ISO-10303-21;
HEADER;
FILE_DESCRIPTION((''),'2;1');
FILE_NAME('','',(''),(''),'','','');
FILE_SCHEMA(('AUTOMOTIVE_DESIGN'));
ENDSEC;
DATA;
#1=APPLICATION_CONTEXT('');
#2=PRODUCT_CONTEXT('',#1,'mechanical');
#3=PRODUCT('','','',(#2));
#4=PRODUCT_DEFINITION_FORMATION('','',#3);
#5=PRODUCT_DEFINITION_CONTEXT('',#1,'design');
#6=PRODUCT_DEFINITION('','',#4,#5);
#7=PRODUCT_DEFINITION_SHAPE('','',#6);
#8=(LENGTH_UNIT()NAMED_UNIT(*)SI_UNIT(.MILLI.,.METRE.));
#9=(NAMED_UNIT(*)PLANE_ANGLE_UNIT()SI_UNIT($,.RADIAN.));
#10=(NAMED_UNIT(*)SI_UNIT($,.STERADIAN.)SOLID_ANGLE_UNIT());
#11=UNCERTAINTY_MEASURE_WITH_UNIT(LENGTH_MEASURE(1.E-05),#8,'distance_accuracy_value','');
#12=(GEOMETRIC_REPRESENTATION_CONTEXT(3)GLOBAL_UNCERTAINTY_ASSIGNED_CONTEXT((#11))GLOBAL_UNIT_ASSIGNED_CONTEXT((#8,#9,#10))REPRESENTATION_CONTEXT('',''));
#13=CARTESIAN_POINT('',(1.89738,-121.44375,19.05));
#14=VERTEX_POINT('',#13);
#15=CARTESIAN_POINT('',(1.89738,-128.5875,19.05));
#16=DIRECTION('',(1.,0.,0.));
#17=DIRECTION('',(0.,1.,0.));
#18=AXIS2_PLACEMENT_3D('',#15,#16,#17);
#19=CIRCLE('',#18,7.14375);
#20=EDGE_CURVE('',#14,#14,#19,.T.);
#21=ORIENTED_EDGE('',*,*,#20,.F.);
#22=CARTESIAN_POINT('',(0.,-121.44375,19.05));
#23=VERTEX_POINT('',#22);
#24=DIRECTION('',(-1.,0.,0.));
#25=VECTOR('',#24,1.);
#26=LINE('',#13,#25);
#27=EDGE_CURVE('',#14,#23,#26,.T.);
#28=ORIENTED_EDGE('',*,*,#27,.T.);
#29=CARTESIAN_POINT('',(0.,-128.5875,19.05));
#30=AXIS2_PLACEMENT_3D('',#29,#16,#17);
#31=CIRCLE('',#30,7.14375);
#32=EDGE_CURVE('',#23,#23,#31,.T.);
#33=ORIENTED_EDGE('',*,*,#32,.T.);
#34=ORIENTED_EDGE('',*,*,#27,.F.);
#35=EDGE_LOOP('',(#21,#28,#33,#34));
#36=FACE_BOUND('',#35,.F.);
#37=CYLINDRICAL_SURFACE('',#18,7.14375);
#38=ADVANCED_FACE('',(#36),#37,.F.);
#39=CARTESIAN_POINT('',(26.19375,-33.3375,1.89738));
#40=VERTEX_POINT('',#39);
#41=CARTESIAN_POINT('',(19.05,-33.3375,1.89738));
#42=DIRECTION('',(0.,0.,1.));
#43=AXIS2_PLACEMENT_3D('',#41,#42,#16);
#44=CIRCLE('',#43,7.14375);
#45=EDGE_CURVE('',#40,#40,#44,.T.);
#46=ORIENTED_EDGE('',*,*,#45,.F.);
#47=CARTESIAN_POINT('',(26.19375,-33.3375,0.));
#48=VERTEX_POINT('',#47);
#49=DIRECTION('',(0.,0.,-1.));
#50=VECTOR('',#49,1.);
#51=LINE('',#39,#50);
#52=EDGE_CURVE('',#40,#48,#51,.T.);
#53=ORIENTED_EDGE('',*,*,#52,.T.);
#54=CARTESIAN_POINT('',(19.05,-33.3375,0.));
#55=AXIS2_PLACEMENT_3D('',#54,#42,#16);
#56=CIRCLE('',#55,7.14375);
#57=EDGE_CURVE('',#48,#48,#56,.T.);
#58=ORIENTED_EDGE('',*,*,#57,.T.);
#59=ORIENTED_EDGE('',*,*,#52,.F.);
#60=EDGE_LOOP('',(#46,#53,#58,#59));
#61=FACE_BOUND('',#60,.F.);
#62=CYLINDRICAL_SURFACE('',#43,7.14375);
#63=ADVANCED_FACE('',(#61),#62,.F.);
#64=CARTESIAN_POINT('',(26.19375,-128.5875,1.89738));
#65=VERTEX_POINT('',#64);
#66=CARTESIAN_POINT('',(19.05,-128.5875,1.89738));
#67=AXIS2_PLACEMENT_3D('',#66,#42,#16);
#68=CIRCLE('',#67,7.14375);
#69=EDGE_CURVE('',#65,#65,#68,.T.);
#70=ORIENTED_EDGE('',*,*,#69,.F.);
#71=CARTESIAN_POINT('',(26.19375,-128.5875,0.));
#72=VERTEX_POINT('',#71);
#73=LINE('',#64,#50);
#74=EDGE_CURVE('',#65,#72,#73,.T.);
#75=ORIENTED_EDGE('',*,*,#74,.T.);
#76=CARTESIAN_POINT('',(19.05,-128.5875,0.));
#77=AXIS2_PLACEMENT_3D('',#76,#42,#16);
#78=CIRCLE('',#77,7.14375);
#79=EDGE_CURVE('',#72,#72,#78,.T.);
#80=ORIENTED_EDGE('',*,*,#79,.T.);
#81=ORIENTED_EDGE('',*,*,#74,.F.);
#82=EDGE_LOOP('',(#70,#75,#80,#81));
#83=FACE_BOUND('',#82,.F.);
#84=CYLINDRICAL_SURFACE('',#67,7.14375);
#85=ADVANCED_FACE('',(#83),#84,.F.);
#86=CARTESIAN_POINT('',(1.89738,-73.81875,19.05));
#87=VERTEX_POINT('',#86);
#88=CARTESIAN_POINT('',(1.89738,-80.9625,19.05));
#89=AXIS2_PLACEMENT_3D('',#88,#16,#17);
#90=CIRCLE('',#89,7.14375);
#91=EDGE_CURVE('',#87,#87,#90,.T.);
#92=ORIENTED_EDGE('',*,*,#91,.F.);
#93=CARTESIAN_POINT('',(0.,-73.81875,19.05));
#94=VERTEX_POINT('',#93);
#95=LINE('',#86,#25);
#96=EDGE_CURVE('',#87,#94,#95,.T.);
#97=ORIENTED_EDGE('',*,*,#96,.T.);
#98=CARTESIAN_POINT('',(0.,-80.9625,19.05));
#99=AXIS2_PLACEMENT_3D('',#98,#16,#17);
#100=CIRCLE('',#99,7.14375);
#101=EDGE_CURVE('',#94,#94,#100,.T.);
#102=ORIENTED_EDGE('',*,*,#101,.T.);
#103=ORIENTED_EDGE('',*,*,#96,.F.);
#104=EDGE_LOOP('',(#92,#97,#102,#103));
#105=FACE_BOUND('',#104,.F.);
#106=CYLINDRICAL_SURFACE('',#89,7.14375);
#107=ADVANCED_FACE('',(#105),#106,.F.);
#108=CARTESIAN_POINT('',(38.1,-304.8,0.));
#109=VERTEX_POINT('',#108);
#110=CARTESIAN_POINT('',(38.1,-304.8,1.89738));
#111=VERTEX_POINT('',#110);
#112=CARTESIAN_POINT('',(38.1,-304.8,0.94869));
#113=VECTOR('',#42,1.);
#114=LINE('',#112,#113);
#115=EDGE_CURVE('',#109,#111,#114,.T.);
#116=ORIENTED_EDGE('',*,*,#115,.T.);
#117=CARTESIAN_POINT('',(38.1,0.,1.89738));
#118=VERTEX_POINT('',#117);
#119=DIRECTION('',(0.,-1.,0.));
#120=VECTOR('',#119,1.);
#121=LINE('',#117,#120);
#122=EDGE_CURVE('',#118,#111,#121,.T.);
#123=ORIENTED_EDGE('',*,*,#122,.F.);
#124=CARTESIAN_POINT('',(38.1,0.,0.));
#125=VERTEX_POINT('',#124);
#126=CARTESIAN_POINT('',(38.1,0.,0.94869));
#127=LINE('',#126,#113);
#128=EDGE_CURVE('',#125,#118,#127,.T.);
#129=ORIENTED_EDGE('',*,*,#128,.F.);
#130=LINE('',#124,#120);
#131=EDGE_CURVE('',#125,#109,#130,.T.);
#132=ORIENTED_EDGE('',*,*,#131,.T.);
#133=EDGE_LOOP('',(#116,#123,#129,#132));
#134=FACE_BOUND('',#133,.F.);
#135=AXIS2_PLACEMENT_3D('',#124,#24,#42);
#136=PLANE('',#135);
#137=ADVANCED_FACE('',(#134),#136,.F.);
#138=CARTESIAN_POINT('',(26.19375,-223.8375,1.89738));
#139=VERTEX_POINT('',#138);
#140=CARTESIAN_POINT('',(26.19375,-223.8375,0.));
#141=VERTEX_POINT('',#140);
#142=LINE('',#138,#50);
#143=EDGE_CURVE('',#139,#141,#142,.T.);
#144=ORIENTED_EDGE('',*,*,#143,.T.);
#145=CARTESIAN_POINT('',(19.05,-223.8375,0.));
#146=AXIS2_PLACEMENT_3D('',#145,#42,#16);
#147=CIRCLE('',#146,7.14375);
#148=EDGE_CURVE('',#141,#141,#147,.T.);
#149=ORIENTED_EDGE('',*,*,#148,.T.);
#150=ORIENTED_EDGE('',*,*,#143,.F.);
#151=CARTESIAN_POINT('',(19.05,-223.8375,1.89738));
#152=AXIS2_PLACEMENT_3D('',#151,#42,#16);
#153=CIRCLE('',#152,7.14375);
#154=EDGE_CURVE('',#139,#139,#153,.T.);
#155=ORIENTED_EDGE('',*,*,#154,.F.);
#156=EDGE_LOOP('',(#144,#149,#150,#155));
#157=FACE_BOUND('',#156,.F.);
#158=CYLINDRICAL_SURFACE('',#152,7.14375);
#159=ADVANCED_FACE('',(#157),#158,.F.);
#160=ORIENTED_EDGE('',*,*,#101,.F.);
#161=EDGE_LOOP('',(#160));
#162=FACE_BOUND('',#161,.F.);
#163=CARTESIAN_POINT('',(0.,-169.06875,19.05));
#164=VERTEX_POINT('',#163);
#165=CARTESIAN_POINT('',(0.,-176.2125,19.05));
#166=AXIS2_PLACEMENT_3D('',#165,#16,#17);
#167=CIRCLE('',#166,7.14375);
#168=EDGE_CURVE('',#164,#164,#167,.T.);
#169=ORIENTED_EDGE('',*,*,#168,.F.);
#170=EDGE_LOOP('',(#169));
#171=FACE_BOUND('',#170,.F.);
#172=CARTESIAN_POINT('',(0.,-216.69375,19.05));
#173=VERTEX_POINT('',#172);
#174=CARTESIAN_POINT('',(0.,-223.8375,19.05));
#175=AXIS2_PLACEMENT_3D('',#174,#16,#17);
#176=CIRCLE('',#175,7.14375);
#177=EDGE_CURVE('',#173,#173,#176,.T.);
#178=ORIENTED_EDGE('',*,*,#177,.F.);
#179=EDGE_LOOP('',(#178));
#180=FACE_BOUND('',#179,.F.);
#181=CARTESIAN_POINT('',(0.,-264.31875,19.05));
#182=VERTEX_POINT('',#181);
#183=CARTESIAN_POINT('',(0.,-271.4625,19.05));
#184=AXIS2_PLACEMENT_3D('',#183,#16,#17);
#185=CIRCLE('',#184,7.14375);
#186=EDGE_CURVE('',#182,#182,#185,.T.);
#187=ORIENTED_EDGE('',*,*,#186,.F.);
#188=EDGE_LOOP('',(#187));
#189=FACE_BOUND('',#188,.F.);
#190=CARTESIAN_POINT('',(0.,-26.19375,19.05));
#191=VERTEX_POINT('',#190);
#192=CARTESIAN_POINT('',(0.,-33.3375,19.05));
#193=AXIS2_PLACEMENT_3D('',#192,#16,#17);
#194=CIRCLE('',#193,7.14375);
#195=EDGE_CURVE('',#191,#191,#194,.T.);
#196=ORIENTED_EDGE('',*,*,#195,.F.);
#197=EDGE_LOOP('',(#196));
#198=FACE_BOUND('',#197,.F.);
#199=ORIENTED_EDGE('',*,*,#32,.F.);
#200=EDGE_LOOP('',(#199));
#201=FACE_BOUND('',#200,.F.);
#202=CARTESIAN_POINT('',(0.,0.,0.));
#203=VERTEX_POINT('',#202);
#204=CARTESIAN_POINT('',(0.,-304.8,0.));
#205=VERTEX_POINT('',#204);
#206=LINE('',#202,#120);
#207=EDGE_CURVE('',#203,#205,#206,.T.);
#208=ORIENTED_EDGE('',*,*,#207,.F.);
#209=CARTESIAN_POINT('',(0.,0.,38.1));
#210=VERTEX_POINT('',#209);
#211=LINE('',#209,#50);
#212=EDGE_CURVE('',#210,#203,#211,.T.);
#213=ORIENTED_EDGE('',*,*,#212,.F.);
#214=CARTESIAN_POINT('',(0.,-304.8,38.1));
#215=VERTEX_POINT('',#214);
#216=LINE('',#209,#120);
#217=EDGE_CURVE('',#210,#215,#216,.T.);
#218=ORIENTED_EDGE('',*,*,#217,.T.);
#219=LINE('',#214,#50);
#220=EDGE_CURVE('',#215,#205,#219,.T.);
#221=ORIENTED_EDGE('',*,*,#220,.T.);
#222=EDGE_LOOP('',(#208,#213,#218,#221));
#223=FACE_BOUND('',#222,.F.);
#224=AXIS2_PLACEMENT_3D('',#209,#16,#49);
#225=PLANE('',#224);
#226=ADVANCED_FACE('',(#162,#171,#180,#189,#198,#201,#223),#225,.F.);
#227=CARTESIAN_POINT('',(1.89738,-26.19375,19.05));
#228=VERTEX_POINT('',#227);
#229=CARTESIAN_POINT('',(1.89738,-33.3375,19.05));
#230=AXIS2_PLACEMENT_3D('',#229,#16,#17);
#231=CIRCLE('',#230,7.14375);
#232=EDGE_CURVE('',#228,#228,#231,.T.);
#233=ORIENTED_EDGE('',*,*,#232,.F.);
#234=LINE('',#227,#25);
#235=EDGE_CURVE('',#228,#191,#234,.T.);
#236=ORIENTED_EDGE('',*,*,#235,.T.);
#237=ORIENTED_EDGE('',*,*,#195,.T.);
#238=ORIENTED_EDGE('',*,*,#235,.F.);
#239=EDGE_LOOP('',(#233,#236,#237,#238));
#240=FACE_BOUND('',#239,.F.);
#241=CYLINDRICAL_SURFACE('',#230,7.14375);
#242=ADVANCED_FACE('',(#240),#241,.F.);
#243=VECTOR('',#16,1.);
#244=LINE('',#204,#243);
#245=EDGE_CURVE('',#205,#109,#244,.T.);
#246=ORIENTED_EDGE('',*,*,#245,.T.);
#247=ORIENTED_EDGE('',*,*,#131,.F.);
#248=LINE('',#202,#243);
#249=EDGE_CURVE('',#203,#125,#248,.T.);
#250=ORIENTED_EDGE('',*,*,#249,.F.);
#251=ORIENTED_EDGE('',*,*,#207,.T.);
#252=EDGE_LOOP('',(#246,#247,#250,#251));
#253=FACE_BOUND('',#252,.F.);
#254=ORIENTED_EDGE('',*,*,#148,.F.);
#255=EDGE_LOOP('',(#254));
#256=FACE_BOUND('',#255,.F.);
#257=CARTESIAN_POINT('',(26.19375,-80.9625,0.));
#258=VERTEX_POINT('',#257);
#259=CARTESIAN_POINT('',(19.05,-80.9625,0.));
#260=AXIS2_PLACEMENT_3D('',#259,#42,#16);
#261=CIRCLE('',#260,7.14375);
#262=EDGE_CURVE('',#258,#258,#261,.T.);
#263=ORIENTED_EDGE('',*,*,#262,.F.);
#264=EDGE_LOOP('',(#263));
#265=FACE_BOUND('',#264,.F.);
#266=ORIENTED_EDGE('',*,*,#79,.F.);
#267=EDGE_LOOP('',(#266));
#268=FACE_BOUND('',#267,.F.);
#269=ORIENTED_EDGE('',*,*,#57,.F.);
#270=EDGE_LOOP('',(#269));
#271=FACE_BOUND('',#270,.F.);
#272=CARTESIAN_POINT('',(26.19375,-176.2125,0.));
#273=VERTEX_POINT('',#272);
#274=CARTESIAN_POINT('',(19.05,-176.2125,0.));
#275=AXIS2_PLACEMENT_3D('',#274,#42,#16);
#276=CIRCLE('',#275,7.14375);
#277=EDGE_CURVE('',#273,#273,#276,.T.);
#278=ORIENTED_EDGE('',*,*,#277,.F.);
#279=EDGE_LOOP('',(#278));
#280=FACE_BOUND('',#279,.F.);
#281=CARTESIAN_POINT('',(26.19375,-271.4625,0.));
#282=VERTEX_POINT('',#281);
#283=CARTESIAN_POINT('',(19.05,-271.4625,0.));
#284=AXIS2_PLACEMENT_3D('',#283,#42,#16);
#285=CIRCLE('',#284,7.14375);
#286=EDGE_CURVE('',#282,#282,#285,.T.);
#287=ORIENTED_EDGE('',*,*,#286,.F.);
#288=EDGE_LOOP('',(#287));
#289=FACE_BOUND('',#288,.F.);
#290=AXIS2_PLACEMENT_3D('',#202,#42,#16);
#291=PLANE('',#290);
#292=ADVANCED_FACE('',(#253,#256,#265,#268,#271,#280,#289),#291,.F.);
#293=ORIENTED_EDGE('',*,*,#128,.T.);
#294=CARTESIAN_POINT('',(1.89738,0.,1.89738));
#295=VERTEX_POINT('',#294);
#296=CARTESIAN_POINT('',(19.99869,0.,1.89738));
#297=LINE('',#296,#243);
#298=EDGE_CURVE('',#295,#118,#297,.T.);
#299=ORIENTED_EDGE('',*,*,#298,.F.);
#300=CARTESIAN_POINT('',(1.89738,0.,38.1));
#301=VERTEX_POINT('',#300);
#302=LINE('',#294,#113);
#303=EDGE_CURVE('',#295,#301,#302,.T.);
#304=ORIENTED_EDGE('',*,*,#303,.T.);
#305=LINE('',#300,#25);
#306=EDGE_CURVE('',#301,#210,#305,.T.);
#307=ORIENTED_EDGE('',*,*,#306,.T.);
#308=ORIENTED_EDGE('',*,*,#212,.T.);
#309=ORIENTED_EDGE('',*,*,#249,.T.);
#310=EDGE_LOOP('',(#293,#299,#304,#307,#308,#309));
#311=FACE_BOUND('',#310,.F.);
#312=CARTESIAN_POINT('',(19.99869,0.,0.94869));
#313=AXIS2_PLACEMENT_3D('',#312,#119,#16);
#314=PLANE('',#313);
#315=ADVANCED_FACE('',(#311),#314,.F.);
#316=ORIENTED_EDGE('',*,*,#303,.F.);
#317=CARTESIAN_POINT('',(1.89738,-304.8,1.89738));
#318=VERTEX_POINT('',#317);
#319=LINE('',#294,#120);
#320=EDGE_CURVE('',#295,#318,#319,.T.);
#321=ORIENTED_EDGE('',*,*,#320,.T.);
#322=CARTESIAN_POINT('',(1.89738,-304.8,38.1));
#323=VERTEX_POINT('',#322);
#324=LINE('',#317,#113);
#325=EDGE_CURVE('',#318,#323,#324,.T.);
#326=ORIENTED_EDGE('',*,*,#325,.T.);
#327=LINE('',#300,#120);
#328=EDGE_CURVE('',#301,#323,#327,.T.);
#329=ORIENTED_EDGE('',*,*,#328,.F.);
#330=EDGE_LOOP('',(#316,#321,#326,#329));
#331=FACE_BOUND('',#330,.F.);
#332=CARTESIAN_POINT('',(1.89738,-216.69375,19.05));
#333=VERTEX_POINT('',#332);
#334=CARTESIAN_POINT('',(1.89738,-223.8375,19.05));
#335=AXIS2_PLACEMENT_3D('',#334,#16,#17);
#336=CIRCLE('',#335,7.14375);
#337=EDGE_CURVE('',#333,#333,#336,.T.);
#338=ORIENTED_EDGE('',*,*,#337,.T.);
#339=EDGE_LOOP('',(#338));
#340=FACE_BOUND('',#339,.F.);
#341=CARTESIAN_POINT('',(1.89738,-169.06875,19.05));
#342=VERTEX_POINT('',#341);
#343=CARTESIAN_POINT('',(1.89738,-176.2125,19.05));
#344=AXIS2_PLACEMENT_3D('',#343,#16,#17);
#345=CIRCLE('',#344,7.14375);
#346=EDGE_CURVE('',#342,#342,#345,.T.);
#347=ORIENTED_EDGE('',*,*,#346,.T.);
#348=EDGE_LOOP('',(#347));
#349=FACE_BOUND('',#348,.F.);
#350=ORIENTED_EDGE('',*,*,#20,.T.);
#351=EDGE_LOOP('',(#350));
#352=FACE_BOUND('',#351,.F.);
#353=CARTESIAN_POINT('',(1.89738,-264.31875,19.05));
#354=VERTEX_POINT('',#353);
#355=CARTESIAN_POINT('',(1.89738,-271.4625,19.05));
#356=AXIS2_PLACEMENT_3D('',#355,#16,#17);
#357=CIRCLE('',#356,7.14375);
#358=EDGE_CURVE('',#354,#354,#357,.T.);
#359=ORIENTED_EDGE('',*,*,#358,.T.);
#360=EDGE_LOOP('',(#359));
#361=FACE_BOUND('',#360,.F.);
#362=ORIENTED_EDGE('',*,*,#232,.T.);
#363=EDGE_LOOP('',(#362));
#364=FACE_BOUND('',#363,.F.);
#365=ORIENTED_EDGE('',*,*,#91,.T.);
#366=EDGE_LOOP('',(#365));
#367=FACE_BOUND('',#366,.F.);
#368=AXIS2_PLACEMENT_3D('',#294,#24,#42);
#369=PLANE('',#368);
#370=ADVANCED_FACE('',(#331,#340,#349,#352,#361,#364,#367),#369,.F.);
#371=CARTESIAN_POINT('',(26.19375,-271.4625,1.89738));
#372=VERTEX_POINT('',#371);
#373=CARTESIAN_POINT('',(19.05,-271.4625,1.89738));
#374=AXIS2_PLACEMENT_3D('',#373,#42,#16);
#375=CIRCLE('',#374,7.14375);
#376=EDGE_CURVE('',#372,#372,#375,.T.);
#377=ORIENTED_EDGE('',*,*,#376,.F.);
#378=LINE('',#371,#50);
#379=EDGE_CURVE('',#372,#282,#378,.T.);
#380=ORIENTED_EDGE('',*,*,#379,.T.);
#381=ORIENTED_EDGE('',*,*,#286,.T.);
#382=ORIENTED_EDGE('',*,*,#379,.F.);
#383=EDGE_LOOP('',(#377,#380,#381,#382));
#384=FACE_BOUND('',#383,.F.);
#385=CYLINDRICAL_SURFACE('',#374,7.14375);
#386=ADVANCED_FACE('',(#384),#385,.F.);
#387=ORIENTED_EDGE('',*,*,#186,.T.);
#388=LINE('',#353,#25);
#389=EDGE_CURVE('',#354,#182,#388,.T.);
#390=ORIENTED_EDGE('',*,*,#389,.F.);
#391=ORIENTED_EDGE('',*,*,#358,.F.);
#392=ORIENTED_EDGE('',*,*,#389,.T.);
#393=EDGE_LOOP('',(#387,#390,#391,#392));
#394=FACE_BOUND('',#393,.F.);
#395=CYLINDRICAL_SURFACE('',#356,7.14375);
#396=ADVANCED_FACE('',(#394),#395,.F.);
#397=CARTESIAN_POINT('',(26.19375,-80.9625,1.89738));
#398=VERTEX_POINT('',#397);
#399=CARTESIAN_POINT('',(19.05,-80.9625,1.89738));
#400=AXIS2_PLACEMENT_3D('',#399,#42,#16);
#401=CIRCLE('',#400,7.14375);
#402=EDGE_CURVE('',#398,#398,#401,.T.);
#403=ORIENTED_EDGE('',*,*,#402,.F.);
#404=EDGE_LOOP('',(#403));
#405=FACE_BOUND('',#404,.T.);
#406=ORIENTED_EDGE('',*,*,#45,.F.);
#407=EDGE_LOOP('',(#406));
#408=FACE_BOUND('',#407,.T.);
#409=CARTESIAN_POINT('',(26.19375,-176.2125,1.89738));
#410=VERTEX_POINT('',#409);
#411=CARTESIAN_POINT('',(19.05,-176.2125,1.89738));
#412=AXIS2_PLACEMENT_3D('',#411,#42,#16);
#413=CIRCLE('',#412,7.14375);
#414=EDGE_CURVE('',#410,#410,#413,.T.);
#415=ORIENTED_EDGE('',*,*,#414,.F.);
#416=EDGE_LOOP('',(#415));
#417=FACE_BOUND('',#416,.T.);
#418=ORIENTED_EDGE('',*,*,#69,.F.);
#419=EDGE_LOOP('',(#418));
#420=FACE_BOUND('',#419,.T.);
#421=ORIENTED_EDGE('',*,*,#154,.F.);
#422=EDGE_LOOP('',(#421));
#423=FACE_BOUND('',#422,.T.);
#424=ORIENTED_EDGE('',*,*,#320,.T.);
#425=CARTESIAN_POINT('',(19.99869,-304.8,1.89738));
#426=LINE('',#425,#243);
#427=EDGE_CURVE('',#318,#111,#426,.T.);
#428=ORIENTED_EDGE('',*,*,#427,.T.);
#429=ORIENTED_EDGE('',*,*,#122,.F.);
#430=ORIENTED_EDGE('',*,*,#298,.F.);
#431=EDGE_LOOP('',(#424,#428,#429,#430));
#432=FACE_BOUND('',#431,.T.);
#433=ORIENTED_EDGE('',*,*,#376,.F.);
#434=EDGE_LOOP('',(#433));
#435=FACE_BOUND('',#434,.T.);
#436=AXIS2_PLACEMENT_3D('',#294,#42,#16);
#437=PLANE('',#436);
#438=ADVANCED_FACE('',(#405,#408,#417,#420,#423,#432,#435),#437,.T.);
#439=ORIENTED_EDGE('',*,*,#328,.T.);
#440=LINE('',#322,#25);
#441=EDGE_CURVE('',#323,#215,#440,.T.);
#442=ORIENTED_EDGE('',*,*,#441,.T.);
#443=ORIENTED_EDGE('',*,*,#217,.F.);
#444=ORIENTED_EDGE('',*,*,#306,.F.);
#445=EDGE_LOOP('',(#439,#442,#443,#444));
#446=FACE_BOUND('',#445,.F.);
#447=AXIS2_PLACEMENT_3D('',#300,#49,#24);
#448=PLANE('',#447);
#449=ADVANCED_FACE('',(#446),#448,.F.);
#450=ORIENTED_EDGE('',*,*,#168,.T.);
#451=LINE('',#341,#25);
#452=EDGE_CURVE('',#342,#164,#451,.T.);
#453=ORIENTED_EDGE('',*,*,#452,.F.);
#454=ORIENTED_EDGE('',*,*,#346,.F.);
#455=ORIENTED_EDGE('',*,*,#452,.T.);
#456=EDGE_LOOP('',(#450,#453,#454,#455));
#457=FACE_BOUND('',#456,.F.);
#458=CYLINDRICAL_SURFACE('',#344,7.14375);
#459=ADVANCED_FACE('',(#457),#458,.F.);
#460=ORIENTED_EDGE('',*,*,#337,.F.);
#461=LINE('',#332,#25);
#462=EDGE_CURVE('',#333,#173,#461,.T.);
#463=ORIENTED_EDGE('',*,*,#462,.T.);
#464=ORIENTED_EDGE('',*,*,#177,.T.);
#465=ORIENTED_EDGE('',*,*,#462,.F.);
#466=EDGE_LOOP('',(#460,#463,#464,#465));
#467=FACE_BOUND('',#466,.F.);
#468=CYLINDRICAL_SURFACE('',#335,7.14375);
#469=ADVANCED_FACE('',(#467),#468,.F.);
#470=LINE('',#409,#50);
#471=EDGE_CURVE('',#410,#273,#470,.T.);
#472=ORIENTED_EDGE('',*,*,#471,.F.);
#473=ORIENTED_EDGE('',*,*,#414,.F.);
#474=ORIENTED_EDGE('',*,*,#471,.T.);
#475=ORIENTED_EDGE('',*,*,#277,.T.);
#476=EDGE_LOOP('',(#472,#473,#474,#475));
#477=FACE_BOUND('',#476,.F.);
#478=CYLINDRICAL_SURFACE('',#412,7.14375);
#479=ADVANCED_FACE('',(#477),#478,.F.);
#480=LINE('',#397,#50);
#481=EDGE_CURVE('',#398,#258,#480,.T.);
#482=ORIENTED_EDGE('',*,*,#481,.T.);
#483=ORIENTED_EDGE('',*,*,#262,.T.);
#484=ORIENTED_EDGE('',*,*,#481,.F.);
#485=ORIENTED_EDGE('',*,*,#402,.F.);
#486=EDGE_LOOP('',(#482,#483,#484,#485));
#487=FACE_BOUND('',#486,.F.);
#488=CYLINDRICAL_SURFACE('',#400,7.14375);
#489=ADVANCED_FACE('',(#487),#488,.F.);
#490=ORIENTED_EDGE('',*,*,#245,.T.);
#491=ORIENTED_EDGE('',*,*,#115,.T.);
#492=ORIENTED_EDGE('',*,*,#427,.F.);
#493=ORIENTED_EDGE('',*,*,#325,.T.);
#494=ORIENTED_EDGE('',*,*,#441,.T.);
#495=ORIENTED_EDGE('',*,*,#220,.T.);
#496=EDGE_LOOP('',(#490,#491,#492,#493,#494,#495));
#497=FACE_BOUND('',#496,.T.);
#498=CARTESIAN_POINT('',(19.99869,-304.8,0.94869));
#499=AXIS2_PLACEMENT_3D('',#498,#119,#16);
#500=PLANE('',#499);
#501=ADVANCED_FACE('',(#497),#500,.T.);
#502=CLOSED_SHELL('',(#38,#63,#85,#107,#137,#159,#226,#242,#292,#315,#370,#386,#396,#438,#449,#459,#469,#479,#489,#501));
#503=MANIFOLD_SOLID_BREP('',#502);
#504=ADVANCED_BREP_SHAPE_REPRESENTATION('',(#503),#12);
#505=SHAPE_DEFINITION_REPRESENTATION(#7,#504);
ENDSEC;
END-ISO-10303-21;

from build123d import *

# Parameters (mm, degrees)
F0_W     = 36.20262
F0_H     = 1.89738
F1_DEPTH = 304.8
F2_R     = 7.14375
F3_DEPTH = 25.4
F4_R     = 7.14375
F5_DEPTH = 25.4


with BuildPart() as f1:
    # F0 (on Front) → F1 (new body)
    with BuildSketch(Plane.XZ):
        with Locations((19.99869, 0.94869)):
            Rectangle(F0_W, F0_H)
        Polygon((0, 38.1), (0, 0), (1.89738, 0), (1.89738, 1.89738), (1.89738, 38.1), align=None)
    extrude(amount=F1_DEPTH)

    # F2 (on face) → F3 (cut)
    with BuildSketch(Plane.XY.offset(1.89738)):
        with Locations((19.05, -271.4625)):
            Circle(F2_R)
        with Locations((19.05, -223.8375)):
            Circle(F2_R)
        with Locations((19.05, -176.2125)):
            Circle(F2_R)
        with Locations((19.05, -128.5875)):
            Circle(F2_R)
        with Locations((19.05, -80.9625)):
            Circle(F2_R)
        with Locations((19.05, -33.3375)):
            Circle(F2_R)
    extrude(amount=-F3_DEPTH, mode=Mode.SUBTRACT)

    # F4 (on face) → F5 (cut)
    with BuildSketch(Plane.YZ.offset(1.89738)):
        with Locations((-271.4625, 19.05)):
            Circle(F4_R)
        with Locations((-223.8375, 19.05)):
            Circle(F4_R)
        with Locations((-176.2125, 19.05)):
            Circle(F4_R)
        with Locations((-128.5875, 19.05)):
            Circle(F4_R)
        with Locations((-80.9625, 19.05)):
            Circle(F4_R)
        with Locations((-33.3375, 19.05)):
            Circle(F4_R)
    extrude(amount=-F5_DEPTH, mode=Mode.SUBTRACT)


solid = f1.part
